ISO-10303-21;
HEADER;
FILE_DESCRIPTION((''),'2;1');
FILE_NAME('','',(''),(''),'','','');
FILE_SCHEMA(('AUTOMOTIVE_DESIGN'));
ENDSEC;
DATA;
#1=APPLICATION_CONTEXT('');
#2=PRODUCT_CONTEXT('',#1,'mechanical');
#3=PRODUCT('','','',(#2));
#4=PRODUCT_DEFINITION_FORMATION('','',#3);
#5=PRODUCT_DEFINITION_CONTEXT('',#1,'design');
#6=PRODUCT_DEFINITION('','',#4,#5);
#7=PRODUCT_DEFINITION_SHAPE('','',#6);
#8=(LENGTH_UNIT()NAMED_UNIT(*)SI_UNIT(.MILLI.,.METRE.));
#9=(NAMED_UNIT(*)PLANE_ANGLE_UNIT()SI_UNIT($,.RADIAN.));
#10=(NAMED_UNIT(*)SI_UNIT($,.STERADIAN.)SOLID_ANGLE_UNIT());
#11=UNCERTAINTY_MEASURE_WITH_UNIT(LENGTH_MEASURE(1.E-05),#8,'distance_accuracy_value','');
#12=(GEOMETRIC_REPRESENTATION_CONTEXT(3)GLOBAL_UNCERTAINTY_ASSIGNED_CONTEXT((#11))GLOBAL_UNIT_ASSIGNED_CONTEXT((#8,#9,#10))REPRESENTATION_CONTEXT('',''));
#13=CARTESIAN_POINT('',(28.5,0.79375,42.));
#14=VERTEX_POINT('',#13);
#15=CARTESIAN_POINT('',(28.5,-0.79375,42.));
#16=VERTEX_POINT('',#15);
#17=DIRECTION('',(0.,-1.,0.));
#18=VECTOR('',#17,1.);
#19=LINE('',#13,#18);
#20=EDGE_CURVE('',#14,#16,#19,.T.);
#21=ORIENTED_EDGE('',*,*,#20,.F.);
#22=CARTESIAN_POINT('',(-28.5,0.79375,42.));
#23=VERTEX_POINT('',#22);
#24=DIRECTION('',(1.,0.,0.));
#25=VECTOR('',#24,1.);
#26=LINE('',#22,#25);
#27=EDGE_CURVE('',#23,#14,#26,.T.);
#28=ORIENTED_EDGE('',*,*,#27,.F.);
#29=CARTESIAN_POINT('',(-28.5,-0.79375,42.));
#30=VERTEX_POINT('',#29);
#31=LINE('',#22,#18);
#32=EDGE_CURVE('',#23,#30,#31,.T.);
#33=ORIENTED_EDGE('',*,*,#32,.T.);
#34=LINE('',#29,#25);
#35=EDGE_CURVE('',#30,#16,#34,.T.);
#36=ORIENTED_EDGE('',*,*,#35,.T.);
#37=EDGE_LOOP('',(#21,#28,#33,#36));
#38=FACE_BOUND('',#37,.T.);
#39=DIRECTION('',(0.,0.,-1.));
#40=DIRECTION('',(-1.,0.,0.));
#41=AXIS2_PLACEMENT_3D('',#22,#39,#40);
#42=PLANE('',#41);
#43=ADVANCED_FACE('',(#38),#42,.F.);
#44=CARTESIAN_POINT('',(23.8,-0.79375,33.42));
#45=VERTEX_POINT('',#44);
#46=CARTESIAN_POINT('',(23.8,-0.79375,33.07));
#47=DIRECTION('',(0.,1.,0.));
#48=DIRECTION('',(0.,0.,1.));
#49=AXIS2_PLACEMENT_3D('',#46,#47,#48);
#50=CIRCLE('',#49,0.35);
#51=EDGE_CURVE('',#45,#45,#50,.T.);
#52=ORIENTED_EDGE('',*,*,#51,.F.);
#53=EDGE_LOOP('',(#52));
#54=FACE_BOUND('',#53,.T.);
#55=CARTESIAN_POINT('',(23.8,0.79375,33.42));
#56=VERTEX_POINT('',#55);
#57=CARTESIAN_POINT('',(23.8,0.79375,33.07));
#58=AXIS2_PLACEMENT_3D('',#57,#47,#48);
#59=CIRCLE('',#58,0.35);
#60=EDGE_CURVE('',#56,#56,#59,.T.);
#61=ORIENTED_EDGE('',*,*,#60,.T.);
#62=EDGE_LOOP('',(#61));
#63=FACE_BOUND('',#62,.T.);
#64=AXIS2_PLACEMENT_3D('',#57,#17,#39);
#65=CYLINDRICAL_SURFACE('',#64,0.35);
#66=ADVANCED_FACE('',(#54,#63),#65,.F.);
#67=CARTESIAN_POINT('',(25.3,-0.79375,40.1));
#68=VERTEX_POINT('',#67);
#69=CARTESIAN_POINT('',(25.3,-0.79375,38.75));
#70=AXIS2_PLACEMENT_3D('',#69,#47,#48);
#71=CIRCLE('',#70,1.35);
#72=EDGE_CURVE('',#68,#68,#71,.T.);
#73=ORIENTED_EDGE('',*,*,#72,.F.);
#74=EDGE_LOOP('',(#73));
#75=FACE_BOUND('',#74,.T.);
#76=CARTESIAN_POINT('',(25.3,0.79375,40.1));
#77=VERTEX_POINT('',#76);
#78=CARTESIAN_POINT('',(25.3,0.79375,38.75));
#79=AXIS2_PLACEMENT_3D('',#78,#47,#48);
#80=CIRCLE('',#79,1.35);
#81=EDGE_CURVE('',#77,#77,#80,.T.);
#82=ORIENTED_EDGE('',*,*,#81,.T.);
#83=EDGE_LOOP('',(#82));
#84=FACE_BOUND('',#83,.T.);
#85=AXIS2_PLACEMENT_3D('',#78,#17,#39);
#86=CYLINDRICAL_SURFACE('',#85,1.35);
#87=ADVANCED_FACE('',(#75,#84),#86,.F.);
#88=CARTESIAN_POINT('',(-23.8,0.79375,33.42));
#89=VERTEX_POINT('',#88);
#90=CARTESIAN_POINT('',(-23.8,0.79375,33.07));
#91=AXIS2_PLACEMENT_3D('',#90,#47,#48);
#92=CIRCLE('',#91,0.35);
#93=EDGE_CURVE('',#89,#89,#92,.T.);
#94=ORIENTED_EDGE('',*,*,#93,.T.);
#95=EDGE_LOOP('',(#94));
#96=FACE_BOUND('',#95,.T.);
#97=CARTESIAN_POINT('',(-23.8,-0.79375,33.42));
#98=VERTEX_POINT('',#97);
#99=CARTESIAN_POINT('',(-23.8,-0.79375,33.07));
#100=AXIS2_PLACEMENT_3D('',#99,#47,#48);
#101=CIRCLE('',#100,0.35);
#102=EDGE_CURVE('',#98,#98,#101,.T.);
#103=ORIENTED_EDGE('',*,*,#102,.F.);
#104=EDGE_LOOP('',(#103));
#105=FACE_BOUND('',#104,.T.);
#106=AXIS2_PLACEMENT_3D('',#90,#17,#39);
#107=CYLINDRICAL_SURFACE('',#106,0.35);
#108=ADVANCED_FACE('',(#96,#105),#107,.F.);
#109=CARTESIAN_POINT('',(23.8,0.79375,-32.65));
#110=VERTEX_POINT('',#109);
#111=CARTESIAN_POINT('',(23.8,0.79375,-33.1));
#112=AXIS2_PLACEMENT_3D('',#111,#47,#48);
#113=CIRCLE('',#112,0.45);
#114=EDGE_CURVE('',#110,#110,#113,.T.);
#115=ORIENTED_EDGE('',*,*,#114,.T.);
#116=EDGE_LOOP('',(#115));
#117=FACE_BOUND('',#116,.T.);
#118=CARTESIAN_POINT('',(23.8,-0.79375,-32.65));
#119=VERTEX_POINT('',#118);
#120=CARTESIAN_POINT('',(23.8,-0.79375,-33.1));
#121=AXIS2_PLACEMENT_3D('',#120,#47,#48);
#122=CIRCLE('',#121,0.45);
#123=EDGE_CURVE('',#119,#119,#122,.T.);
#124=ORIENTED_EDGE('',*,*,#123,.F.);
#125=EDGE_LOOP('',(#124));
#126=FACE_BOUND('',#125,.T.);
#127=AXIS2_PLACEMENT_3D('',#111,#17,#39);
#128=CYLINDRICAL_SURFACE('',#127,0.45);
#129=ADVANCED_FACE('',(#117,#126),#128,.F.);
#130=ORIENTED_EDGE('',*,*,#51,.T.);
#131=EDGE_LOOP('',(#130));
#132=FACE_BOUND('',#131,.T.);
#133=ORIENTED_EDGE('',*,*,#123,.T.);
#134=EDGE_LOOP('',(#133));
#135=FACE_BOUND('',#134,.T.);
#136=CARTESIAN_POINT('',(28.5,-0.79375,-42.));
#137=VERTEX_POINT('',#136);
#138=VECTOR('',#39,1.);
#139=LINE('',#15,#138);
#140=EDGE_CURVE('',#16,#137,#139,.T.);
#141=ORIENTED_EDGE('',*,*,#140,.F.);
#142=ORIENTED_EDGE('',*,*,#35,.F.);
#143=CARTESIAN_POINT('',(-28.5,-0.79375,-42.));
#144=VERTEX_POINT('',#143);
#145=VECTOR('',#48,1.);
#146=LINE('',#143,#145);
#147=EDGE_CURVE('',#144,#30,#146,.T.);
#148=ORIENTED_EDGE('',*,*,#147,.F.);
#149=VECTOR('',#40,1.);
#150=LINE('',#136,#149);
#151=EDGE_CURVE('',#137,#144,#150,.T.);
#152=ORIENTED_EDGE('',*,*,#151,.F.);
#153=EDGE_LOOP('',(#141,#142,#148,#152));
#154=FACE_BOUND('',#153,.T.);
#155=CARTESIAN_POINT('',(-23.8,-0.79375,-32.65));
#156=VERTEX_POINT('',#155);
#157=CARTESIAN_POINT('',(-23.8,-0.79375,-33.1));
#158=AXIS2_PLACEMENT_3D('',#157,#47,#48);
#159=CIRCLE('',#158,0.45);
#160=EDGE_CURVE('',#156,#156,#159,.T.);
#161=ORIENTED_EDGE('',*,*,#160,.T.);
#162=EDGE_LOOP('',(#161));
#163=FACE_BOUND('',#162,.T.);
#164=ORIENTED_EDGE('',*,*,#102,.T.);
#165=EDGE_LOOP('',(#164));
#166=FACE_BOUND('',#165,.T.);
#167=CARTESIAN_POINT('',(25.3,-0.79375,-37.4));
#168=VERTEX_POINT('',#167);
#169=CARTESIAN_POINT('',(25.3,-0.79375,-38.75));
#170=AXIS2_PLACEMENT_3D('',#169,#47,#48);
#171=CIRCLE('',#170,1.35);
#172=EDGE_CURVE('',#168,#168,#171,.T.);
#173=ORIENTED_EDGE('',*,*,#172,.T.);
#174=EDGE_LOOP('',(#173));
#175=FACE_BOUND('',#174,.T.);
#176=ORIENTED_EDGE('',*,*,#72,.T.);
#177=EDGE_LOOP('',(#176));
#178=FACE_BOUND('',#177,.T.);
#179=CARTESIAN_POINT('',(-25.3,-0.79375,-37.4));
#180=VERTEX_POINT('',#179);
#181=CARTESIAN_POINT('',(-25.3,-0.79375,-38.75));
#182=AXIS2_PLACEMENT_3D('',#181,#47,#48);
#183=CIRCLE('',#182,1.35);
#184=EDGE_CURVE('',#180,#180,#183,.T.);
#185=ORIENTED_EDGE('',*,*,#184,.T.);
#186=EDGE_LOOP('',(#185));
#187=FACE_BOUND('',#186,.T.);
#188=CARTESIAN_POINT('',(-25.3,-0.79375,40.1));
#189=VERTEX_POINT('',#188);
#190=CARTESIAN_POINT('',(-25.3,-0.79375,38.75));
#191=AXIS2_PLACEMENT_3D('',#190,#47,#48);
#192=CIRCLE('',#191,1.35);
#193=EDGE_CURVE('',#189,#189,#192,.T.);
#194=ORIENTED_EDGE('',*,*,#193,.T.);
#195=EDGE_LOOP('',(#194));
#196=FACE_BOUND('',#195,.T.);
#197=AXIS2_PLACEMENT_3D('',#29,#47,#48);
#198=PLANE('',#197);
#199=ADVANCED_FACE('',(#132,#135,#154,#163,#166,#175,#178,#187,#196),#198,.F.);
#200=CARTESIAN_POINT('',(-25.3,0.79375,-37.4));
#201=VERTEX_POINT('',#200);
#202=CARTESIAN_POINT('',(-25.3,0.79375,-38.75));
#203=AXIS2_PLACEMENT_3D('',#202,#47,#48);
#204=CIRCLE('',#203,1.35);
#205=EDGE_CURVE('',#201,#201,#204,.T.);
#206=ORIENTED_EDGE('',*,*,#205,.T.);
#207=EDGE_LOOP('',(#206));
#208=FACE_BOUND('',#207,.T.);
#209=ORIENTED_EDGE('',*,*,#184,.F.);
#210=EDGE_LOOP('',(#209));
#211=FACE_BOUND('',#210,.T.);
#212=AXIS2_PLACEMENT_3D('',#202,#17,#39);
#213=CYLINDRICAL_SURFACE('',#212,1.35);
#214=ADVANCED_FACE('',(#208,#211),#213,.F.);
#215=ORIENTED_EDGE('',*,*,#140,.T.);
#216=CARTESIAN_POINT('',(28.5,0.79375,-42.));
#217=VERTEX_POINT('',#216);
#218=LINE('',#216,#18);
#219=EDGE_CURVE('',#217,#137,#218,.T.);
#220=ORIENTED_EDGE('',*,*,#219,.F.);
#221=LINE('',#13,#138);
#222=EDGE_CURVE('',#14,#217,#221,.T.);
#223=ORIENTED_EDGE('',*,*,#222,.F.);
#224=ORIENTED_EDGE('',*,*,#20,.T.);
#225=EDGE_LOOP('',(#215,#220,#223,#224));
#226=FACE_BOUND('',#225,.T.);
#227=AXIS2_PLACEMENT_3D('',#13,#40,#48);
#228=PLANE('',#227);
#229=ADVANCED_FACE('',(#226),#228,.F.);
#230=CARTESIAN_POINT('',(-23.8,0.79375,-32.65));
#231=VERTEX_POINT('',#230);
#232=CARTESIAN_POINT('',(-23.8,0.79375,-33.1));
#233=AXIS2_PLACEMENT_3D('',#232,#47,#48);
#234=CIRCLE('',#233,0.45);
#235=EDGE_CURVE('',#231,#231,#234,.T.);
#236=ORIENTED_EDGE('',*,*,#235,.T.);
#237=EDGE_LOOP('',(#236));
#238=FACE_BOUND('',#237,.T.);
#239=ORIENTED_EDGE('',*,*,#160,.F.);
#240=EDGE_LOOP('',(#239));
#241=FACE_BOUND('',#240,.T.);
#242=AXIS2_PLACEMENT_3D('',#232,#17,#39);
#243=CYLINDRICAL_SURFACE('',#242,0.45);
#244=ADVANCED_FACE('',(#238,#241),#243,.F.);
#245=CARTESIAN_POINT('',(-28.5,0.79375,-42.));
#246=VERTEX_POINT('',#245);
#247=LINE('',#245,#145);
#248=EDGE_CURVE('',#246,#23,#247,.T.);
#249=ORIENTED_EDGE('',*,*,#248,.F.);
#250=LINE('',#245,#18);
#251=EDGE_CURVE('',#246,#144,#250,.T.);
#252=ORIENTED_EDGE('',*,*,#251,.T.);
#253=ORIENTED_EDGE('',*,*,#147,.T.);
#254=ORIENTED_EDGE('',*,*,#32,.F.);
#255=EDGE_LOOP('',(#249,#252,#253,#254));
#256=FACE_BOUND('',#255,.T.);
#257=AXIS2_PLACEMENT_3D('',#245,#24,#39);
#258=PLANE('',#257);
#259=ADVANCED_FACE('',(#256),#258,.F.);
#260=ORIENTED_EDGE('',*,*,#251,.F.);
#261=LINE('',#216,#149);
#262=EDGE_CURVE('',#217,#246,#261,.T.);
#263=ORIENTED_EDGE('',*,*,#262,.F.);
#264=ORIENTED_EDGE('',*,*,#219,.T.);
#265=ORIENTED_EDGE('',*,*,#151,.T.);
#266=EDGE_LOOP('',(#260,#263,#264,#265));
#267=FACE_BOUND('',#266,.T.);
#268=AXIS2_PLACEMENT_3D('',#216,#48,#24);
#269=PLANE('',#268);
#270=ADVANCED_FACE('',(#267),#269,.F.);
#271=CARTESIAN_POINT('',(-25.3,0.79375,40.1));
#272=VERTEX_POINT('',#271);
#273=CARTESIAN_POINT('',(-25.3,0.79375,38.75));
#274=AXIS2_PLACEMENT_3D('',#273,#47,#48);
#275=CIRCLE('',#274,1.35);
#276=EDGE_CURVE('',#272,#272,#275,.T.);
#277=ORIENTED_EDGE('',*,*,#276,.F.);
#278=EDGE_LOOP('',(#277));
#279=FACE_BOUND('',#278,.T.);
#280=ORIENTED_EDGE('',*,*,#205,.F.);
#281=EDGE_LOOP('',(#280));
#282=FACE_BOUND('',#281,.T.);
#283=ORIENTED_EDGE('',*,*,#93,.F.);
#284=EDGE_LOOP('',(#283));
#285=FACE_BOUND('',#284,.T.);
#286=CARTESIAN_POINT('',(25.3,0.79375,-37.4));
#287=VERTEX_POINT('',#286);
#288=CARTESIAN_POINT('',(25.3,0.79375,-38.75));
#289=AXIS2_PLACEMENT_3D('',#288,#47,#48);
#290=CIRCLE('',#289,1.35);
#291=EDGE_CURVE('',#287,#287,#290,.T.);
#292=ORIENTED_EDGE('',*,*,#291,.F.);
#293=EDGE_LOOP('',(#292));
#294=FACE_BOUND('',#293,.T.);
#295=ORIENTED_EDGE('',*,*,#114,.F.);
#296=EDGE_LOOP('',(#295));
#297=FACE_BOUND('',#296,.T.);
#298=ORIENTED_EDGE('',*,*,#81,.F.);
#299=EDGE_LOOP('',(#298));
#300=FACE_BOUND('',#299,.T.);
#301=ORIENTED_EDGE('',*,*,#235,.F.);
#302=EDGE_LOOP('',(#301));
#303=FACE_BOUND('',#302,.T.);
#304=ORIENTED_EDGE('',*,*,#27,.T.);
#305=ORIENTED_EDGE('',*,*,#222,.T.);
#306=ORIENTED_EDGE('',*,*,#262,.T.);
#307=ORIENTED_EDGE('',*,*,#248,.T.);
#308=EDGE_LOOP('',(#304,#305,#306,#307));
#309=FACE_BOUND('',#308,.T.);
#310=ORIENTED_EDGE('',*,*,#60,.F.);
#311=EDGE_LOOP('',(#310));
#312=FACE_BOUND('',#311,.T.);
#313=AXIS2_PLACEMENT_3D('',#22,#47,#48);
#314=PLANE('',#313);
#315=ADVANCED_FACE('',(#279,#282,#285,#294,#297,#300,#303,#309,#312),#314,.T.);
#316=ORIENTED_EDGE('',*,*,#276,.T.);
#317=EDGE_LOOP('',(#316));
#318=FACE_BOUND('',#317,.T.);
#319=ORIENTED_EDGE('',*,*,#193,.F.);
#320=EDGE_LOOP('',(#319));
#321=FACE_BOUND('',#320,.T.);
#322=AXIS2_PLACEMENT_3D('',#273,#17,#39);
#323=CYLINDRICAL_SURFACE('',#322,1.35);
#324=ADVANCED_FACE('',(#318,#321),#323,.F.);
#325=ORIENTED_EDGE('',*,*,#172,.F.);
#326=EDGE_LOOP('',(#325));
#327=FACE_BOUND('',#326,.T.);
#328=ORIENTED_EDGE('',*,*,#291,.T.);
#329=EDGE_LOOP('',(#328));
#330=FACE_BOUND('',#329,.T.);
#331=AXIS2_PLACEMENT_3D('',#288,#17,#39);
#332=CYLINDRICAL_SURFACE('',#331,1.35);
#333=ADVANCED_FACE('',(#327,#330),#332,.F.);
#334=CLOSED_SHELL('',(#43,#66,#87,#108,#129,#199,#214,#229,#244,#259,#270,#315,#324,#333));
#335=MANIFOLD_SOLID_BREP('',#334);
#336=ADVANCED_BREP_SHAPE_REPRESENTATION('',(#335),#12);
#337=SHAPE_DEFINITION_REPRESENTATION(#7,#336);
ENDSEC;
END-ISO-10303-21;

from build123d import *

# Parameters (mm, degrees)
SKETCH2_W      = 57
SKETCH2_H      = 84
SKETCH2_R      = 1.35
SKETCH2_R_2    = 0.35
SKETCH2_R_3    = 0.45
EXTRUDE1_DEPTH = 0.79375


with BuildPart() as part:
    # Sketch2 → Extrude1 (new, symmetric)
    with BuildSketch(Plane(origin=(0, 0, 0), x_dir=(1, 0, 0), z_dir=(0, 1, 0))):
        Rectangle(SKETCH2_W, SKETCH2_H)
        with Locations(Location((25.3, 38.75, 0), (0, 0, 270))):
            Circle(SKETCH2_R, mode=Mode.SUBTRACT)
        with Locations(Location((25.3, -38.75, 0), (0, 0, 270))):
            Circle(SKETCH2_R, mode=Mode.SUBTRACT)
        with Locations(Location((-25.3, -38.75, 0), (0, 0, 270))):
            Circle(SKETCH2_R, mode=Mode.SUBTRACT)
        with Locations(Location((-25.3, 38.75, 0), (0, 0, 270))):
            Circle(SKETCH2_R, mode=Mode.SUBTRACT)
        with Locations(Location((23.8, -33.07, 0), (0, 0, 270))):
            Circle(SKETCH2_R_2, mode=Mode.SUBTRACT)
        with Locations(Location((-23.8, -33.07, 0), (0, 0, 270))):
            Circle(SKETCH2_R_2, mode=Mode.SUBTRACT)
        with Locations(Location((23.8, 33.1, 0), (0, 0, 270))):
            Circle(SKETCH2_R_3, mode=Mode.SUBTRACT)
        with Locations(Location((-23.8, 33.1, 0), (0, 0, 270))):
            Circle(SKETCH2_R_3, mode=Mode.SUBTRACT)
    extrude(amount=EXTRUDE1_DEPTH, both=True)


solid = part.part
